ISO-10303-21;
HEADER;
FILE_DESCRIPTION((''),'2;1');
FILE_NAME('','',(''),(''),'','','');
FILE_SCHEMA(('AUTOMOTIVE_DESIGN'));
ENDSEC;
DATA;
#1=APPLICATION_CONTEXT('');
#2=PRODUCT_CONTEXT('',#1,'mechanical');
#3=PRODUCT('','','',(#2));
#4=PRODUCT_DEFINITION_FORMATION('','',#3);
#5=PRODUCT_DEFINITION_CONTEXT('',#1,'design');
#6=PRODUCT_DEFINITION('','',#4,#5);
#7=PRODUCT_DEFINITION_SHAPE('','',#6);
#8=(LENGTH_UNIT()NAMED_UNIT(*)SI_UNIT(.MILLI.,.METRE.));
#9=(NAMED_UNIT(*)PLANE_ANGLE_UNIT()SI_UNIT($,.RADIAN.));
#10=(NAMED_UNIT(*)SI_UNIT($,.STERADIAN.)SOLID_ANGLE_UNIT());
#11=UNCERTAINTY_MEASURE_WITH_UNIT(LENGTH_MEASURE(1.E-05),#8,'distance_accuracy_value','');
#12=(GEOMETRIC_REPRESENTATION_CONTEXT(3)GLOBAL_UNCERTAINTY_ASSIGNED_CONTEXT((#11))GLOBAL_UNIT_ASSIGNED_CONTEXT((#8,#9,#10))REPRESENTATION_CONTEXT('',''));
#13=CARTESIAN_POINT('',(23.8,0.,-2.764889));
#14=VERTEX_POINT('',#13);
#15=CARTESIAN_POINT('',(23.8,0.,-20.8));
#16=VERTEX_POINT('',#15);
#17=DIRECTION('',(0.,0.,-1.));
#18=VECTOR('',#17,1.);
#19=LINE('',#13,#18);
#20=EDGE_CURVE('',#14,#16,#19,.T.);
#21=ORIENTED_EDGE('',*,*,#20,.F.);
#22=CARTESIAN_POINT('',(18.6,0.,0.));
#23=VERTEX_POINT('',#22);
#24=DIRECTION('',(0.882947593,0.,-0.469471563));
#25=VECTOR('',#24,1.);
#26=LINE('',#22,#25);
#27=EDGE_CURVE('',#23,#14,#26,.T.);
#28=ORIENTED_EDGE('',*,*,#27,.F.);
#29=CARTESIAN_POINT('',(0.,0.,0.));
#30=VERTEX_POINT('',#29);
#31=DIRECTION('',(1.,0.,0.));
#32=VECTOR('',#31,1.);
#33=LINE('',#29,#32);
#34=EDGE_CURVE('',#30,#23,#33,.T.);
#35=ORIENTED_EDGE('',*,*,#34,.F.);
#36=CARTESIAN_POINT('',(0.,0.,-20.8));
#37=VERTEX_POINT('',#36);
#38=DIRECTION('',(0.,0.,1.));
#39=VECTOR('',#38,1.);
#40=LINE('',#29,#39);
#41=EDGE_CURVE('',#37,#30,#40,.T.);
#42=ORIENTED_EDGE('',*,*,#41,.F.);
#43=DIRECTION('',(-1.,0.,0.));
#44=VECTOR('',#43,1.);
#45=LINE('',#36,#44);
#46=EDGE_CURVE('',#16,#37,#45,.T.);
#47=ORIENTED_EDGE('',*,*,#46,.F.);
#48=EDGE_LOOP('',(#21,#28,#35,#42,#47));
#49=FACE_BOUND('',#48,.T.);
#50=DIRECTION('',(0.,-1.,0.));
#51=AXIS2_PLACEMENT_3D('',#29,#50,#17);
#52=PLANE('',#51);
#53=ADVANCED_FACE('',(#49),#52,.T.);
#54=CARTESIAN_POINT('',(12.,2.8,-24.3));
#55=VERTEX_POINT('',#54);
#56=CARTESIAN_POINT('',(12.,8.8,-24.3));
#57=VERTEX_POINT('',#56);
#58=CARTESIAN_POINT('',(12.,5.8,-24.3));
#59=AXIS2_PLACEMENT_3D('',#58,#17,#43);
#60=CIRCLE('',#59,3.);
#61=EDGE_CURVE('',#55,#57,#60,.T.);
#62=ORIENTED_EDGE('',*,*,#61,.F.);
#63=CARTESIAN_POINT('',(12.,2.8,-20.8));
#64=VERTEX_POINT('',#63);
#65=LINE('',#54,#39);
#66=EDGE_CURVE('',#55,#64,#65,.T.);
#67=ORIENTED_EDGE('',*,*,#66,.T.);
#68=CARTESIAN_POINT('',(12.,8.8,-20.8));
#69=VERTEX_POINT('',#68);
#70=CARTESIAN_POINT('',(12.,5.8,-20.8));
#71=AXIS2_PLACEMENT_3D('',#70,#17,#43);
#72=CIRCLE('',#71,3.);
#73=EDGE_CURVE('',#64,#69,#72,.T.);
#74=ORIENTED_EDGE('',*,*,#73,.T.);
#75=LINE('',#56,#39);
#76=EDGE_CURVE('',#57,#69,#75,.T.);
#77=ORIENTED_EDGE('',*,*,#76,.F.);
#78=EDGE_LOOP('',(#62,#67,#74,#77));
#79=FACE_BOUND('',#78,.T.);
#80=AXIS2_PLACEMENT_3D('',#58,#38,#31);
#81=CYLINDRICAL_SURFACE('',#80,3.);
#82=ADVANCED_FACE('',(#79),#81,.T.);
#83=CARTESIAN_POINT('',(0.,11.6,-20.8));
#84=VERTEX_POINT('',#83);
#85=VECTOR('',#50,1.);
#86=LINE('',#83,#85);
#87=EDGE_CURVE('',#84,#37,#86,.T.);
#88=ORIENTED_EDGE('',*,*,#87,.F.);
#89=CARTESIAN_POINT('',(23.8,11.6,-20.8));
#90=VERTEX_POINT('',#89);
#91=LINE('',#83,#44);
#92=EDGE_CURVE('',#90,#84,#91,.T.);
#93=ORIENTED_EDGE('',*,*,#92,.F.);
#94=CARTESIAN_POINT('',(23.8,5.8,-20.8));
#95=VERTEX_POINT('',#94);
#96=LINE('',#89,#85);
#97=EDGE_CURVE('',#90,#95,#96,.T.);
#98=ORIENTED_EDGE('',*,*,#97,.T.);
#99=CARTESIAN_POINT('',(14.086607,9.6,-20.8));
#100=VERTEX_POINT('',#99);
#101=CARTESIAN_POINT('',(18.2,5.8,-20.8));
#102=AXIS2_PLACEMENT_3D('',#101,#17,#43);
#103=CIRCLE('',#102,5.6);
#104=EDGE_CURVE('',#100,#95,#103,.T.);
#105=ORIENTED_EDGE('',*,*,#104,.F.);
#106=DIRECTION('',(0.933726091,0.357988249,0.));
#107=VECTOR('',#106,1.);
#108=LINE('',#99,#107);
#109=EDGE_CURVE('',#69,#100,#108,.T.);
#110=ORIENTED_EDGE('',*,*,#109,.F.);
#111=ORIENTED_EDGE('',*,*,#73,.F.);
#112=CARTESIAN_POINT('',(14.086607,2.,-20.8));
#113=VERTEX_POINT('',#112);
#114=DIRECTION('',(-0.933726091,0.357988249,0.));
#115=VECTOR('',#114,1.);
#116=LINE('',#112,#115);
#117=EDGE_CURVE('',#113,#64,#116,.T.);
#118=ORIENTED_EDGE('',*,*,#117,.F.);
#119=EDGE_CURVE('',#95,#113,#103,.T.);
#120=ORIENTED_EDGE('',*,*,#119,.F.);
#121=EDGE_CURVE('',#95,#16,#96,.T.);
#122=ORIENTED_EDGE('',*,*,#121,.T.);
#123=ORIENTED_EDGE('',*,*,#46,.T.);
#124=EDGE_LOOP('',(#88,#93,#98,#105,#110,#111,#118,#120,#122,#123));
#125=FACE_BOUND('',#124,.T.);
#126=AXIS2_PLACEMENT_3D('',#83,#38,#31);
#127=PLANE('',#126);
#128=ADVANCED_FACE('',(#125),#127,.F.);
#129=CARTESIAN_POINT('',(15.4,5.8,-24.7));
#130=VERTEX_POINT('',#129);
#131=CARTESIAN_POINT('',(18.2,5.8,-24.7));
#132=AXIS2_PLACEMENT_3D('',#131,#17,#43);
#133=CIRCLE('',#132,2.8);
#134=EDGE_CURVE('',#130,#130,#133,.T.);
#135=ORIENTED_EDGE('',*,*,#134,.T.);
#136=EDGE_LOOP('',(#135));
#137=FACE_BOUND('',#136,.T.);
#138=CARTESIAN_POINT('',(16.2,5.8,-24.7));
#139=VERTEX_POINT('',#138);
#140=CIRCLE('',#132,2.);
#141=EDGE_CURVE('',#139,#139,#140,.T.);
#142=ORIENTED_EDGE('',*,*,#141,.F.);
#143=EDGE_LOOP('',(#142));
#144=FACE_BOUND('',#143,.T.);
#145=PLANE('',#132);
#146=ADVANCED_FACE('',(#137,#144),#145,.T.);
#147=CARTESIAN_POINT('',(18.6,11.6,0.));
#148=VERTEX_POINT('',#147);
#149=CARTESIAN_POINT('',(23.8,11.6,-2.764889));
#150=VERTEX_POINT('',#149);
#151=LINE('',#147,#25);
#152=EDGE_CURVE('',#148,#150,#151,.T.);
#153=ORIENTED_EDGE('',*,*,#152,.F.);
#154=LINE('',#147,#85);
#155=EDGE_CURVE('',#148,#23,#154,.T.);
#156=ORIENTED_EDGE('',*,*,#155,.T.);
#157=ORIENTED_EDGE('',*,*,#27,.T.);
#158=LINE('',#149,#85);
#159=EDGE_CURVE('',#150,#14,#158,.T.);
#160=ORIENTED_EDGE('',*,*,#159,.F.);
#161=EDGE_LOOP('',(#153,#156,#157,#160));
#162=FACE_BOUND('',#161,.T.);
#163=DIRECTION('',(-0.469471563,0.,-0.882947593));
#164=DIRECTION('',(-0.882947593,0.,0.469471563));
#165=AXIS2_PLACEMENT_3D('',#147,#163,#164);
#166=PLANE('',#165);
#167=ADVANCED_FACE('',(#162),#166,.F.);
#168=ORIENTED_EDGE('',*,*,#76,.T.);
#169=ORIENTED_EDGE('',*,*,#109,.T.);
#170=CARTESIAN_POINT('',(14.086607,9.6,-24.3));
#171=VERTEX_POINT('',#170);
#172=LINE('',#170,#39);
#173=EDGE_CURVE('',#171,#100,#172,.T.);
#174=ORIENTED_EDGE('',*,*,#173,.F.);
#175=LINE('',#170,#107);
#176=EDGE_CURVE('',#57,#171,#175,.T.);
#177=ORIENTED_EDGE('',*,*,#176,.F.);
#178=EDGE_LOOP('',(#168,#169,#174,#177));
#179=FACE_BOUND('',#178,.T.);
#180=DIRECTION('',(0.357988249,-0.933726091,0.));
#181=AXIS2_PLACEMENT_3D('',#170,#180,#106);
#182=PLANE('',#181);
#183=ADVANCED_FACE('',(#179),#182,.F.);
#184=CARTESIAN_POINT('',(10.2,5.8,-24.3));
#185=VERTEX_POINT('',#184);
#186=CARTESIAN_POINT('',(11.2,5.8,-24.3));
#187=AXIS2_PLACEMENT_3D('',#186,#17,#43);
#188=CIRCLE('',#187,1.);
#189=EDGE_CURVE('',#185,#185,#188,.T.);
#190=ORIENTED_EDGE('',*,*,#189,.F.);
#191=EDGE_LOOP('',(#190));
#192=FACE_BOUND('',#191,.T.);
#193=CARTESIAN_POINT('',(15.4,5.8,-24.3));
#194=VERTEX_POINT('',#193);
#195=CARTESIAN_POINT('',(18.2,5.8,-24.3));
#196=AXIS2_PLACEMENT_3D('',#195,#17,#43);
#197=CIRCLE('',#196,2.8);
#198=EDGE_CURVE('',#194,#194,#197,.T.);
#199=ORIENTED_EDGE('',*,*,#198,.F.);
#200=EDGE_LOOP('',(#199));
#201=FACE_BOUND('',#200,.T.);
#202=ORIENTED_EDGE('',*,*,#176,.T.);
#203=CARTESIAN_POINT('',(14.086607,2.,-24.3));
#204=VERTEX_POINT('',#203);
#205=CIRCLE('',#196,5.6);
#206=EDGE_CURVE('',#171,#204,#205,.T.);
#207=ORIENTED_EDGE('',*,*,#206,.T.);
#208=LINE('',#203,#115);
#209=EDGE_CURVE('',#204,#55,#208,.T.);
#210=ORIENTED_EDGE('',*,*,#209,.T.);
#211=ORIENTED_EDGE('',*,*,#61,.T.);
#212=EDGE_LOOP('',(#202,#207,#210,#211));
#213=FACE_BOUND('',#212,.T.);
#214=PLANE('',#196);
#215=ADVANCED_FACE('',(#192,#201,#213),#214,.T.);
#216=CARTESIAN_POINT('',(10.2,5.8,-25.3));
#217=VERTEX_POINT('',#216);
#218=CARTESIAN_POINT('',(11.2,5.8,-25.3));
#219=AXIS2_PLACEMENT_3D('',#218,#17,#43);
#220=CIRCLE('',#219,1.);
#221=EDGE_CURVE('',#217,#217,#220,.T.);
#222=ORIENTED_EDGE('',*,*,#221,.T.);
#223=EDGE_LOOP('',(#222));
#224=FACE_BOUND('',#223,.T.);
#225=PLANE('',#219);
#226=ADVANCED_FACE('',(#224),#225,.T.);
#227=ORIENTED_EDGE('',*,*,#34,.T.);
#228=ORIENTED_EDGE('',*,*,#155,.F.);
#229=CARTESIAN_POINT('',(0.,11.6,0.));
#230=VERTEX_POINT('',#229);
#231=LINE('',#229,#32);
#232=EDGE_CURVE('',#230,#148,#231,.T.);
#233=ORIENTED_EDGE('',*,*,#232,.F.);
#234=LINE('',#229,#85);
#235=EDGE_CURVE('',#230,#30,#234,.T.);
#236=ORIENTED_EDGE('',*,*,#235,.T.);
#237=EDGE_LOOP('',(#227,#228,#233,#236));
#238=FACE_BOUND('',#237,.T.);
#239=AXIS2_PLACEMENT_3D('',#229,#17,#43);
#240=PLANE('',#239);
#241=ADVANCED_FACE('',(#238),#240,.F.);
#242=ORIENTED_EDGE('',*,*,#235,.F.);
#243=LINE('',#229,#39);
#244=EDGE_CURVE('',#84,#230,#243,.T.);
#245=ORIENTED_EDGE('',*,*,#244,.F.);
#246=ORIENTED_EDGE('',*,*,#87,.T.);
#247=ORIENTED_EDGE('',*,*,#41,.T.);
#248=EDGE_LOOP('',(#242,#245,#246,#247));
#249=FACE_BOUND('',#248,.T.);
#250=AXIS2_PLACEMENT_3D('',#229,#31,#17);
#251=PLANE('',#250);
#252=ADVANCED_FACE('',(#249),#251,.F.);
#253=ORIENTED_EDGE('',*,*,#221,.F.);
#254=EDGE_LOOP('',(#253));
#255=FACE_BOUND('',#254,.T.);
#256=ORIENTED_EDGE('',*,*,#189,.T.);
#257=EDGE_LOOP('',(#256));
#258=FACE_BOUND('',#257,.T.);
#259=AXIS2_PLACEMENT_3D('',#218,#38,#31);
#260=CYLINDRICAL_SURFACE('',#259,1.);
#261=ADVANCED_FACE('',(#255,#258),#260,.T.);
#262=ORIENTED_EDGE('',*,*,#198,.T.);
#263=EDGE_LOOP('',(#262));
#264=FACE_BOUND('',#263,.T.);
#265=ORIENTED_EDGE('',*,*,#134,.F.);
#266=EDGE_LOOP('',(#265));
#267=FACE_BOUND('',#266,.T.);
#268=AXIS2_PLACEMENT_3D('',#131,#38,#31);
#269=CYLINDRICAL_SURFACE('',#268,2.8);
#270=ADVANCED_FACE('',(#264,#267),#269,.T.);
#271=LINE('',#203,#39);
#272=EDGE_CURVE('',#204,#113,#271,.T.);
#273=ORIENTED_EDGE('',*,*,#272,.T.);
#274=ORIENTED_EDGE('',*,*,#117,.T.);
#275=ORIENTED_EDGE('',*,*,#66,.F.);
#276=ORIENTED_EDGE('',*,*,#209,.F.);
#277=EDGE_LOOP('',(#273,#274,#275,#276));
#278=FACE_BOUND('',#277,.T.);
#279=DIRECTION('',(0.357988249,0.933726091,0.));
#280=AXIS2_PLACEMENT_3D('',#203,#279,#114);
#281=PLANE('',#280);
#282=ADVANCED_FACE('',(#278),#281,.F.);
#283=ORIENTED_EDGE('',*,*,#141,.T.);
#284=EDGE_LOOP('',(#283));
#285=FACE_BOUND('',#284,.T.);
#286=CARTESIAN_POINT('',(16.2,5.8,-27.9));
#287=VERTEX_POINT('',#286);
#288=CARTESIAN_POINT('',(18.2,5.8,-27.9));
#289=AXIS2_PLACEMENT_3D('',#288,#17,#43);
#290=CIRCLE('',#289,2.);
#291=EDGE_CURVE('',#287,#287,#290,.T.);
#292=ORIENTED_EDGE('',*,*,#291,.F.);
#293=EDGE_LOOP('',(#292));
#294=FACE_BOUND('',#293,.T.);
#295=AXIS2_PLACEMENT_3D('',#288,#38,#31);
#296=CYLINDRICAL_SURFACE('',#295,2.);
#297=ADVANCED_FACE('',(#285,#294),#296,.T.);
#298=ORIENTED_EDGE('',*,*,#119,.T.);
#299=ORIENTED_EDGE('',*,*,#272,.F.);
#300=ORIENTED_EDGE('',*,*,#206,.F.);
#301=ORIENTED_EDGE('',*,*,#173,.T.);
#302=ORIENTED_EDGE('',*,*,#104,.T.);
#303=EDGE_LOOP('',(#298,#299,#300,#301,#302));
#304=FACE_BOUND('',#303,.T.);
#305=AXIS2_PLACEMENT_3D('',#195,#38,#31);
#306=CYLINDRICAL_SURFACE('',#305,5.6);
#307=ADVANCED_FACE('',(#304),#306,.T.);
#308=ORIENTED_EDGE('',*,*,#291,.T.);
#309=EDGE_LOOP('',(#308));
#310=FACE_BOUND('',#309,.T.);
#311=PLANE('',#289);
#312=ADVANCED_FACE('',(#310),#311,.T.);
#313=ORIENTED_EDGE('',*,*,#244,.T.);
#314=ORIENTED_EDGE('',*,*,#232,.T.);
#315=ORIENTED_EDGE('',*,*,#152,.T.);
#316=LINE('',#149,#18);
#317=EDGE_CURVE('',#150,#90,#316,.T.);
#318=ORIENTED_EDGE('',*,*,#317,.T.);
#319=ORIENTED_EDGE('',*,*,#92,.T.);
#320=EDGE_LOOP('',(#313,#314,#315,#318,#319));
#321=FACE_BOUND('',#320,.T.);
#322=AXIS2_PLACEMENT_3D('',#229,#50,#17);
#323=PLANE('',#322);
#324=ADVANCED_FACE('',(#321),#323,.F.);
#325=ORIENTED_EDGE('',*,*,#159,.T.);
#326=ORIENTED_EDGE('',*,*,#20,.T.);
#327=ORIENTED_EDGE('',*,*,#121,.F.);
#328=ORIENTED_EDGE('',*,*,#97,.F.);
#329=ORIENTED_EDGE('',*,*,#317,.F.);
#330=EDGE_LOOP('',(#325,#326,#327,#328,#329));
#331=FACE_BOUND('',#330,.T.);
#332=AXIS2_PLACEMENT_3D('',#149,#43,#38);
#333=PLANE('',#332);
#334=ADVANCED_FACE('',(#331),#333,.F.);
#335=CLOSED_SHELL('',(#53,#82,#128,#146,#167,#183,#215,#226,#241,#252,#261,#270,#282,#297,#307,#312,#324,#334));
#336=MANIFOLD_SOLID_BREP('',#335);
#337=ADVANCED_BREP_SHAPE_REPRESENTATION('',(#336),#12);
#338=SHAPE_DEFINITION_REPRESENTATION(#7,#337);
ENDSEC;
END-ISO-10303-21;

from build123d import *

# Parameters (mm, degrees)
EXTRUDE_1_DEPTH = 11.6
EXTRUDE_2_DEPTH = 3.5
SKETCH_3_R      = 1
EXTRUDE_3_DEPTH = 1
SKETCH_3_3_R    = 1
SKETCH_3_3_R_2  = 2.8
EXTRUDE_4_DEPTH = 0.4
SKETCH_5_R      = 2
EXTRUDE_5_DEPTH = 3.2


with BuildPart() as part:
    # ｽｹｯﾁ1 → ﾎﾞｽ - 押し出し1 (new body)
    with BuildSketch(Plane(origin=(0, 0, 0), x_dir=(1, 0, 0), z_dir=(0, 1, 0))):
        Polygon((0, 0), (18.6, 0), (23.8, 2.764889045), (23.8, 20.8), (0, 20.8), align=None)
    extrude(amount=EXTRUDE_1_DEPTH)

    # ｽｹｯﾁ2 → ﾎﾞｽ - 押し出し2 (add)
    with BuildSketch(Plane(origin=(0, 0, -20.8), x_dir=(-1, 0, 0), z_dir=(0, 0, -1))):
        with BuildLine():
            Line((-14.08660724, 9.6), (-12, 8.8))
            ThreePointArc((-12, 8.8), (-9, 5.8), (-12, 2.8))
            Line((-12, 2.8), (-14.08660724, 2))
            ThreePointArc((-14.08660724, 2), (-23.8, 5.8), (-14.08660724, 9.6))
        make_face()
    extrude(amount=EXTRUDE_2_DEPTH)

    # ｽｹｯﾁ3 → ﾎﾞｽ - 押し出し3 (add)
    with BuildSketch(Plane(origin=(0, 0, -24.3), x_dir=(-1, 0, 0), z_dir=(0, 0, -1))):
        with Locations((-11.2, 5.8)):
            Circle(SKETCH_3_R)
    extrude(amount=EXTRUDE_3_DEPTH)

    # ｽｹｯﾁ3<3> → ﾎﾞｽ - 押し出し4 (add)
    with BuildSketch(Plane(origin=(0, 0, -24.3), x_dir=(-1, 0, 0), z_dir=(0, 0, -1))):
        with Locations((-11.2, 5.8)):
            Circle(SKETCH_3_3_R)
        with Locations((-18.2, 5.8)):
            Circle(SKETCH_3_3_R_2)
    extrude(amount=EXTRUDE_4_DEPTH)

    # ｽｹｯﾁ5 → ﾎﾞｽ - 押し出し5 (add)
    with BuildSketch(Plane(origin=(0, 0, -24.7), x_dir=(-1, 0, 0), z_dir=(0, 0, -1))):
        with Locations((-18.2, 5.8)):
            Circle(SKETCH_5_R)
    extrude(amount=EXTRUDE_5_DEPTH)


solid = part.part
